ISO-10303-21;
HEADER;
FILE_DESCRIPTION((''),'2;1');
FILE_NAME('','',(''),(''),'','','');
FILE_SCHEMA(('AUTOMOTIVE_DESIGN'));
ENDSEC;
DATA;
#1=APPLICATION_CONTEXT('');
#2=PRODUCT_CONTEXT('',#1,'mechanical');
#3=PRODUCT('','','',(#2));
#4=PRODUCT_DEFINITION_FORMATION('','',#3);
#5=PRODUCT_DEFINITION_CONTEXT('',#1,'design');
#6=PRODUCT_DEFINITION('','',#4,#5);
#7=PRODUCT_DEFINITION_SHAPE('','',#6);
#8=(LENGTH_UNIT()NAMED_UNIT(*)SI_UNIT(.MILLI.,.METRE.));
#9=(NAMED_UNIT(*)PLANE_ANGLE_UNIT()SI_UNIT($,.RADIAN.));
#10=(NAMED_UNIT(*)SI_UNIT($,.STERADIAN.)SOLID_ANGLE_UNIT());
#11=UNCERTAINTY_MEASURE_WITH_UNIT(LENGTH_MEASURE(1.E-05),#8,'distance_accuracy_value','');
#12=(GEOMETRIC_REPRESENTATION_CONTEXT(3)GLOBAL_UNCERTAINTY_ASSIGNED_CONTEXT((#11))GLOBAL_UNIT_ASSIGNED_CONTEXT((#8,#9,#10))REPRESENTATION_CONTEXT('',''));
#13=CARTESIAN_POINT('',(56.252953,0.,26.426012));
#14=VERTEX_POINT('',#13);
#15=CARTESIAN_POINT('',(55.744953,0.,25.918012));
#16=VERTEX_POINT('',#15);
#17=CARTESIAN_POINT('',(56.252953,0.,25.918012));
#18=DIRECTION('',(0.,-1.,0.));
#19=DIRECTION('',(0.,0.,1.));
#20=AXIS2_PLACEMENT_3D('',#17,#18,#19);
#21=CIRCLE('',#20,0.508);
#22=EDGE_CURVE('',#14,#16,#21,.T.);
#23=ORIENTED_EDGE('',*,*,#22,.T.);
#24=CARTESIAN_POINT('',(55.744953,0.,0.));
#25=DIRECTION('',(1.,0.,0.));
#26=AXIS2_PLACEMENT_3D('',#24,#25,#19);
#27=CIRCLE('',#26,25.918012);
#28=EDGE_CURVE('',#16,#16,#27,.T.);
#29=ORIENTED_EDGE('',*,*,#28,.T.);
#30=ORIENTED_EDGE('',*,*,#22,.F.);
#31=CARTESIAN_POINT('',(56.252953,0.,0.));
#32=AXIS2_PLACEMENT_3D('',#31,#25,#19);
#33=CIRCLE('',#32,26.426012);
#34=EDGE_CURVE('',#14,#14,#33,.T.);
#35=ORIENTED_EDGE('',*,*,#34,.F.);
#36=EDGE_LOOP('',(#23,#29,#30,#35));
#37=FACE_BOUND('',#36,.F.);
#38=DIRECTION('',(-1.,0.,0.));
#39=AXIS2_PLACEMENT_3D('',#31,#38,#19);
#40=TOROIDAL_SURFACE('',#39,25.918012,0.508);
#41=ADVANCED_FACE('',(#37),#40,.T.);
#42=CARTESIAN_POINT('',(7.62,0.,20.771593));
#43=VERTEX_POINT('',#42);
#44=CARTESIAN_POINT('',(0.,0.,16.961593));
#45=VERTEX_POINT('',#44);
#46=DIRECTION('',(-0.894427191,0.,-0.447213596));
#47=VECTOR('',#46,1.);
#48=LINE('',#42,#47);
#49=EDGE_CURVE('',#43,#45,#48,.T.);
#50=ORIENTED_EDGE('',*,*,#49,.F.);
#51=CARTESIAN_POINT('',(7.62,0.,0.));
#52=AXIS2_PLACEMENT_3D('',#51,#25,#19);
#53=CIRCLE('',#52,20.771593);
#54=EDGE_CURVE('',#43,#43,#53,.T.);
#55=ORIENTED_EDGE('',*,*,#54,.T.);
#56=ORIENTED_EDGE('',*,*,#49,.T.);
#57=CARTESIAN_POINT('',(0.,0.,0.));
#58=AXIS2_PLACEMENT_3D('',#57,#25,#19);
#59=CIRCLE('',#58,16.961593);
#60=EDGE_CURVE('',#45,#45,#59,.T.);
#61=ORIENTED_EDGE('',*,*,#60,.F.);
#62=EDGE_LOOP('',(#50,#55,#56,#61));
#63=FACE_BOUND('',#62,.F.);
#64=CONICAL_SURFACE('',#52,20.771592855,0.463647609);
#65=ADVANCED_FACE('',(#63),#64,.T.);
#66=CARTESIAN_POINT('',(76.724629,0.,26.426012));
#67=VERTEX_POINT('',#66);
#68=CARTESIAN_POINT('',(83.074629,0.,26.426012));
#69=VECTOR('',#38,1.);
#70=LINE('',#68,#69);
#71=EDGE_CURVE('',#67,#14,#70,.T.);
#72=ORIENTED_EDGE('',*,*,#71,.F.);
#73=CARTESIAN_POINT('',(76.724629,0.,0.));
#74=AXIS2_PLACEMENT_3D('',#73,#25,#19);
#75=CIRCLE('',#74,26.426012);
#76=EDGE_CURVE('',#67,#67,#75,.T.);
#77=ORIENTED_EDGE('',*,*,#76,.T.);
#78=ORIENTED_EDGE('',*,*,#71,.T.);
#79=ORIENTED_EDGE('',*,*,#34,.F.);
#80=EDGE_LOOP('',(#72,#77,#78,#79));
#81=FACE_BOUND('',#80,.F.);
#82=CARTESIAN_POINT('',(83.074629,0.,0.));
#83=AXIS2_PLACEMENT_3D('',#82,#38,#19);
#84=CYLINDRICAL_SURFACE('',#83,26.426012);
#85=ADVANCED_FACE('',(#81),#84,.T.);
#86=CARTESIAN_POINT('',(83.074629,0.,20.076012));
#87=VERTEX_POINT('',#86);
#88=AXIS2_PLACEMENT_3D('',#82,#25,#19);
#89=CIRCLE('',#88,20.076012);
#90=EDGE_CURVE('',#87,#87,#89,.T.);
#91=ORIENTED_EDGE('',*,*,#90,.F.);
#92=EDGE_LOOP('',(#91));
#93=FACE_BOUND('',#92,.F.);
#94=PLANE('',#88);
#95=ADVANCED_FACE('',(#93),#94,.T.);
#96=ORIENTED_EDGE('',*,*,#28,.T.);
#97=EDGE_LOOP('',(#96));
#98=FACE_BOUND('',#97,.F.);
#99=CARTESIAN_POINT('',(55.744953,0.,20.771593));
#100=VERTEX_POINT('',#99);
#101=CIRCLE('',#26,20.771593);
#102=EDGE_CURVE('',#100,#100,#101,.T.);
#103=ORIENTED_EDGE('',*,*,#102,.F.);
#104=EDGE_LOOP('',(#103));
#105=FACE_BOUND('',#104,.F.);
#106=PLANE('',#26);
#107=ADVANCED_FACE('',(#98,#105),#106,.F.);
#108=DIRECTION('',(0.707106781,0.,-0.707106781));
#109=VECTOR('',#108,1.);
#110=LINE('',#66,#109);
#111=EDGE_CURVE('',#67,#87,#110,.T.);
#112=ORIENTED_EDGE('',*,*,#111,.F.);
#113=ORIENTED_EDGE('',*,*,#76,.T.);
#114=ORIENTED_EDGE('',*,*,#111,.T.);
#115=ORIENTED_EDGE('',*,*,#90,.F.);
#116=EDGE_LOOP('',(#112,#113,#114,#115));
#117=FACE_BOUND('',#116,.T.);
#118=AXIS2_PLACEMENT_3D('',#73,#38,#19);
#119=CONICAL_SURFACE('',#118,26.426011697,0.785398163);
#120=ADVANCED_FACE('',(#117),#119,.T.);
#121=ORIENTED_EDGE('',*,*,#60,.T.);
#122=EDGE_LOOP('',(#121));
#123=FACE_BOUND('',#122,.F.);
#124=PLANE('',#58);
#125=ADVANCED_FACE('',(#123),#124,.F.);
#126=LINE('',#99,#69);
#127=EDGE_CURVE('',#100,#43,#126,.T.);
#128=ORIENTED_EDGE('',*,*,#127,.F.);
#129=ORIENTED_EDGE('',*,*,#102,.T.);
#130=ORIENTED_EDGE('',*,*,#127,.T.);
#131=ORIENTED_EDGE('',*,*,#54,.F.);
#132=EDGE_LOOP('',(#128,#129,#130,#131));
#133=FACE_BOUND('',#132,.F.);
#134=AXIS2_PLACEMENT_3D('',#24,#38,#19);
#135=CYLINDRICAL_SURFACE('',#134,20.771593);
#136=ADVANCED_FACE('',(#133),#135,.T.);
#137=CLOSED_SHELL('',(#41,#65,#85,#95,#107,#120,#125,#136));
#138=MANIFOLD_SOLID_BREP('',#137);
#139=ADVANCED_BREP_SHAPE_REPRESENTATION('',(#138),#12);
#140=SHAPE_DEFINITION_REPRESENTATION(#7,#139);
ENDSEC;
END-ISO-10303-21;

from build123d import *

# Parameters (mm, degrees)
F2_R     = 0.508
F3_SIZE  = 6.35
F4_SIZE2 = 3.81
F4_SIZE  = 7.62


with BuildPart() as f1:
    # F0 (on Front) → F1 (revolve)
    with BuildSketch(Plane.XZ):
        Polygon((55.7449534535, 20.7715928555), (0, 20.7715928555), (0, 0), (83.0746293068, 0), (83.0746293068, 26.4260116965), (55.7449534535, 26.4260116965), align=None)
    revolve(axis=Axis((60.4887977242, 0, 0), (1, 0, 0)))

    # F2
    f2_edges = [f1.edges().sort_by_distance(p)[0] for p in [
        (55.744953, 0, -26.426012),
    ]]
    fillet(f2_edges, radius=F2_R)

    # F3
    f3_edges = [f1.edges().sort_by_distance(p)[0] for p in [
        (83.074629, 0, -26.426012),
    ]]
    chamfer(f3_edges, length=F3_SIZE)

    # F4
    f4_edges = [f1.edges().sort_by_distance(p)[0] for p in [
        (0, 0, -20.771593),
    ]]
    f4_side = f1.faces().sort_by_distance((27.872477, 0, -20.771593))[0]
    chamfer(f4_edges, length=F4_SIZE, length2=F4_SIZE2, reference=f4_side)


solid = f1.part
